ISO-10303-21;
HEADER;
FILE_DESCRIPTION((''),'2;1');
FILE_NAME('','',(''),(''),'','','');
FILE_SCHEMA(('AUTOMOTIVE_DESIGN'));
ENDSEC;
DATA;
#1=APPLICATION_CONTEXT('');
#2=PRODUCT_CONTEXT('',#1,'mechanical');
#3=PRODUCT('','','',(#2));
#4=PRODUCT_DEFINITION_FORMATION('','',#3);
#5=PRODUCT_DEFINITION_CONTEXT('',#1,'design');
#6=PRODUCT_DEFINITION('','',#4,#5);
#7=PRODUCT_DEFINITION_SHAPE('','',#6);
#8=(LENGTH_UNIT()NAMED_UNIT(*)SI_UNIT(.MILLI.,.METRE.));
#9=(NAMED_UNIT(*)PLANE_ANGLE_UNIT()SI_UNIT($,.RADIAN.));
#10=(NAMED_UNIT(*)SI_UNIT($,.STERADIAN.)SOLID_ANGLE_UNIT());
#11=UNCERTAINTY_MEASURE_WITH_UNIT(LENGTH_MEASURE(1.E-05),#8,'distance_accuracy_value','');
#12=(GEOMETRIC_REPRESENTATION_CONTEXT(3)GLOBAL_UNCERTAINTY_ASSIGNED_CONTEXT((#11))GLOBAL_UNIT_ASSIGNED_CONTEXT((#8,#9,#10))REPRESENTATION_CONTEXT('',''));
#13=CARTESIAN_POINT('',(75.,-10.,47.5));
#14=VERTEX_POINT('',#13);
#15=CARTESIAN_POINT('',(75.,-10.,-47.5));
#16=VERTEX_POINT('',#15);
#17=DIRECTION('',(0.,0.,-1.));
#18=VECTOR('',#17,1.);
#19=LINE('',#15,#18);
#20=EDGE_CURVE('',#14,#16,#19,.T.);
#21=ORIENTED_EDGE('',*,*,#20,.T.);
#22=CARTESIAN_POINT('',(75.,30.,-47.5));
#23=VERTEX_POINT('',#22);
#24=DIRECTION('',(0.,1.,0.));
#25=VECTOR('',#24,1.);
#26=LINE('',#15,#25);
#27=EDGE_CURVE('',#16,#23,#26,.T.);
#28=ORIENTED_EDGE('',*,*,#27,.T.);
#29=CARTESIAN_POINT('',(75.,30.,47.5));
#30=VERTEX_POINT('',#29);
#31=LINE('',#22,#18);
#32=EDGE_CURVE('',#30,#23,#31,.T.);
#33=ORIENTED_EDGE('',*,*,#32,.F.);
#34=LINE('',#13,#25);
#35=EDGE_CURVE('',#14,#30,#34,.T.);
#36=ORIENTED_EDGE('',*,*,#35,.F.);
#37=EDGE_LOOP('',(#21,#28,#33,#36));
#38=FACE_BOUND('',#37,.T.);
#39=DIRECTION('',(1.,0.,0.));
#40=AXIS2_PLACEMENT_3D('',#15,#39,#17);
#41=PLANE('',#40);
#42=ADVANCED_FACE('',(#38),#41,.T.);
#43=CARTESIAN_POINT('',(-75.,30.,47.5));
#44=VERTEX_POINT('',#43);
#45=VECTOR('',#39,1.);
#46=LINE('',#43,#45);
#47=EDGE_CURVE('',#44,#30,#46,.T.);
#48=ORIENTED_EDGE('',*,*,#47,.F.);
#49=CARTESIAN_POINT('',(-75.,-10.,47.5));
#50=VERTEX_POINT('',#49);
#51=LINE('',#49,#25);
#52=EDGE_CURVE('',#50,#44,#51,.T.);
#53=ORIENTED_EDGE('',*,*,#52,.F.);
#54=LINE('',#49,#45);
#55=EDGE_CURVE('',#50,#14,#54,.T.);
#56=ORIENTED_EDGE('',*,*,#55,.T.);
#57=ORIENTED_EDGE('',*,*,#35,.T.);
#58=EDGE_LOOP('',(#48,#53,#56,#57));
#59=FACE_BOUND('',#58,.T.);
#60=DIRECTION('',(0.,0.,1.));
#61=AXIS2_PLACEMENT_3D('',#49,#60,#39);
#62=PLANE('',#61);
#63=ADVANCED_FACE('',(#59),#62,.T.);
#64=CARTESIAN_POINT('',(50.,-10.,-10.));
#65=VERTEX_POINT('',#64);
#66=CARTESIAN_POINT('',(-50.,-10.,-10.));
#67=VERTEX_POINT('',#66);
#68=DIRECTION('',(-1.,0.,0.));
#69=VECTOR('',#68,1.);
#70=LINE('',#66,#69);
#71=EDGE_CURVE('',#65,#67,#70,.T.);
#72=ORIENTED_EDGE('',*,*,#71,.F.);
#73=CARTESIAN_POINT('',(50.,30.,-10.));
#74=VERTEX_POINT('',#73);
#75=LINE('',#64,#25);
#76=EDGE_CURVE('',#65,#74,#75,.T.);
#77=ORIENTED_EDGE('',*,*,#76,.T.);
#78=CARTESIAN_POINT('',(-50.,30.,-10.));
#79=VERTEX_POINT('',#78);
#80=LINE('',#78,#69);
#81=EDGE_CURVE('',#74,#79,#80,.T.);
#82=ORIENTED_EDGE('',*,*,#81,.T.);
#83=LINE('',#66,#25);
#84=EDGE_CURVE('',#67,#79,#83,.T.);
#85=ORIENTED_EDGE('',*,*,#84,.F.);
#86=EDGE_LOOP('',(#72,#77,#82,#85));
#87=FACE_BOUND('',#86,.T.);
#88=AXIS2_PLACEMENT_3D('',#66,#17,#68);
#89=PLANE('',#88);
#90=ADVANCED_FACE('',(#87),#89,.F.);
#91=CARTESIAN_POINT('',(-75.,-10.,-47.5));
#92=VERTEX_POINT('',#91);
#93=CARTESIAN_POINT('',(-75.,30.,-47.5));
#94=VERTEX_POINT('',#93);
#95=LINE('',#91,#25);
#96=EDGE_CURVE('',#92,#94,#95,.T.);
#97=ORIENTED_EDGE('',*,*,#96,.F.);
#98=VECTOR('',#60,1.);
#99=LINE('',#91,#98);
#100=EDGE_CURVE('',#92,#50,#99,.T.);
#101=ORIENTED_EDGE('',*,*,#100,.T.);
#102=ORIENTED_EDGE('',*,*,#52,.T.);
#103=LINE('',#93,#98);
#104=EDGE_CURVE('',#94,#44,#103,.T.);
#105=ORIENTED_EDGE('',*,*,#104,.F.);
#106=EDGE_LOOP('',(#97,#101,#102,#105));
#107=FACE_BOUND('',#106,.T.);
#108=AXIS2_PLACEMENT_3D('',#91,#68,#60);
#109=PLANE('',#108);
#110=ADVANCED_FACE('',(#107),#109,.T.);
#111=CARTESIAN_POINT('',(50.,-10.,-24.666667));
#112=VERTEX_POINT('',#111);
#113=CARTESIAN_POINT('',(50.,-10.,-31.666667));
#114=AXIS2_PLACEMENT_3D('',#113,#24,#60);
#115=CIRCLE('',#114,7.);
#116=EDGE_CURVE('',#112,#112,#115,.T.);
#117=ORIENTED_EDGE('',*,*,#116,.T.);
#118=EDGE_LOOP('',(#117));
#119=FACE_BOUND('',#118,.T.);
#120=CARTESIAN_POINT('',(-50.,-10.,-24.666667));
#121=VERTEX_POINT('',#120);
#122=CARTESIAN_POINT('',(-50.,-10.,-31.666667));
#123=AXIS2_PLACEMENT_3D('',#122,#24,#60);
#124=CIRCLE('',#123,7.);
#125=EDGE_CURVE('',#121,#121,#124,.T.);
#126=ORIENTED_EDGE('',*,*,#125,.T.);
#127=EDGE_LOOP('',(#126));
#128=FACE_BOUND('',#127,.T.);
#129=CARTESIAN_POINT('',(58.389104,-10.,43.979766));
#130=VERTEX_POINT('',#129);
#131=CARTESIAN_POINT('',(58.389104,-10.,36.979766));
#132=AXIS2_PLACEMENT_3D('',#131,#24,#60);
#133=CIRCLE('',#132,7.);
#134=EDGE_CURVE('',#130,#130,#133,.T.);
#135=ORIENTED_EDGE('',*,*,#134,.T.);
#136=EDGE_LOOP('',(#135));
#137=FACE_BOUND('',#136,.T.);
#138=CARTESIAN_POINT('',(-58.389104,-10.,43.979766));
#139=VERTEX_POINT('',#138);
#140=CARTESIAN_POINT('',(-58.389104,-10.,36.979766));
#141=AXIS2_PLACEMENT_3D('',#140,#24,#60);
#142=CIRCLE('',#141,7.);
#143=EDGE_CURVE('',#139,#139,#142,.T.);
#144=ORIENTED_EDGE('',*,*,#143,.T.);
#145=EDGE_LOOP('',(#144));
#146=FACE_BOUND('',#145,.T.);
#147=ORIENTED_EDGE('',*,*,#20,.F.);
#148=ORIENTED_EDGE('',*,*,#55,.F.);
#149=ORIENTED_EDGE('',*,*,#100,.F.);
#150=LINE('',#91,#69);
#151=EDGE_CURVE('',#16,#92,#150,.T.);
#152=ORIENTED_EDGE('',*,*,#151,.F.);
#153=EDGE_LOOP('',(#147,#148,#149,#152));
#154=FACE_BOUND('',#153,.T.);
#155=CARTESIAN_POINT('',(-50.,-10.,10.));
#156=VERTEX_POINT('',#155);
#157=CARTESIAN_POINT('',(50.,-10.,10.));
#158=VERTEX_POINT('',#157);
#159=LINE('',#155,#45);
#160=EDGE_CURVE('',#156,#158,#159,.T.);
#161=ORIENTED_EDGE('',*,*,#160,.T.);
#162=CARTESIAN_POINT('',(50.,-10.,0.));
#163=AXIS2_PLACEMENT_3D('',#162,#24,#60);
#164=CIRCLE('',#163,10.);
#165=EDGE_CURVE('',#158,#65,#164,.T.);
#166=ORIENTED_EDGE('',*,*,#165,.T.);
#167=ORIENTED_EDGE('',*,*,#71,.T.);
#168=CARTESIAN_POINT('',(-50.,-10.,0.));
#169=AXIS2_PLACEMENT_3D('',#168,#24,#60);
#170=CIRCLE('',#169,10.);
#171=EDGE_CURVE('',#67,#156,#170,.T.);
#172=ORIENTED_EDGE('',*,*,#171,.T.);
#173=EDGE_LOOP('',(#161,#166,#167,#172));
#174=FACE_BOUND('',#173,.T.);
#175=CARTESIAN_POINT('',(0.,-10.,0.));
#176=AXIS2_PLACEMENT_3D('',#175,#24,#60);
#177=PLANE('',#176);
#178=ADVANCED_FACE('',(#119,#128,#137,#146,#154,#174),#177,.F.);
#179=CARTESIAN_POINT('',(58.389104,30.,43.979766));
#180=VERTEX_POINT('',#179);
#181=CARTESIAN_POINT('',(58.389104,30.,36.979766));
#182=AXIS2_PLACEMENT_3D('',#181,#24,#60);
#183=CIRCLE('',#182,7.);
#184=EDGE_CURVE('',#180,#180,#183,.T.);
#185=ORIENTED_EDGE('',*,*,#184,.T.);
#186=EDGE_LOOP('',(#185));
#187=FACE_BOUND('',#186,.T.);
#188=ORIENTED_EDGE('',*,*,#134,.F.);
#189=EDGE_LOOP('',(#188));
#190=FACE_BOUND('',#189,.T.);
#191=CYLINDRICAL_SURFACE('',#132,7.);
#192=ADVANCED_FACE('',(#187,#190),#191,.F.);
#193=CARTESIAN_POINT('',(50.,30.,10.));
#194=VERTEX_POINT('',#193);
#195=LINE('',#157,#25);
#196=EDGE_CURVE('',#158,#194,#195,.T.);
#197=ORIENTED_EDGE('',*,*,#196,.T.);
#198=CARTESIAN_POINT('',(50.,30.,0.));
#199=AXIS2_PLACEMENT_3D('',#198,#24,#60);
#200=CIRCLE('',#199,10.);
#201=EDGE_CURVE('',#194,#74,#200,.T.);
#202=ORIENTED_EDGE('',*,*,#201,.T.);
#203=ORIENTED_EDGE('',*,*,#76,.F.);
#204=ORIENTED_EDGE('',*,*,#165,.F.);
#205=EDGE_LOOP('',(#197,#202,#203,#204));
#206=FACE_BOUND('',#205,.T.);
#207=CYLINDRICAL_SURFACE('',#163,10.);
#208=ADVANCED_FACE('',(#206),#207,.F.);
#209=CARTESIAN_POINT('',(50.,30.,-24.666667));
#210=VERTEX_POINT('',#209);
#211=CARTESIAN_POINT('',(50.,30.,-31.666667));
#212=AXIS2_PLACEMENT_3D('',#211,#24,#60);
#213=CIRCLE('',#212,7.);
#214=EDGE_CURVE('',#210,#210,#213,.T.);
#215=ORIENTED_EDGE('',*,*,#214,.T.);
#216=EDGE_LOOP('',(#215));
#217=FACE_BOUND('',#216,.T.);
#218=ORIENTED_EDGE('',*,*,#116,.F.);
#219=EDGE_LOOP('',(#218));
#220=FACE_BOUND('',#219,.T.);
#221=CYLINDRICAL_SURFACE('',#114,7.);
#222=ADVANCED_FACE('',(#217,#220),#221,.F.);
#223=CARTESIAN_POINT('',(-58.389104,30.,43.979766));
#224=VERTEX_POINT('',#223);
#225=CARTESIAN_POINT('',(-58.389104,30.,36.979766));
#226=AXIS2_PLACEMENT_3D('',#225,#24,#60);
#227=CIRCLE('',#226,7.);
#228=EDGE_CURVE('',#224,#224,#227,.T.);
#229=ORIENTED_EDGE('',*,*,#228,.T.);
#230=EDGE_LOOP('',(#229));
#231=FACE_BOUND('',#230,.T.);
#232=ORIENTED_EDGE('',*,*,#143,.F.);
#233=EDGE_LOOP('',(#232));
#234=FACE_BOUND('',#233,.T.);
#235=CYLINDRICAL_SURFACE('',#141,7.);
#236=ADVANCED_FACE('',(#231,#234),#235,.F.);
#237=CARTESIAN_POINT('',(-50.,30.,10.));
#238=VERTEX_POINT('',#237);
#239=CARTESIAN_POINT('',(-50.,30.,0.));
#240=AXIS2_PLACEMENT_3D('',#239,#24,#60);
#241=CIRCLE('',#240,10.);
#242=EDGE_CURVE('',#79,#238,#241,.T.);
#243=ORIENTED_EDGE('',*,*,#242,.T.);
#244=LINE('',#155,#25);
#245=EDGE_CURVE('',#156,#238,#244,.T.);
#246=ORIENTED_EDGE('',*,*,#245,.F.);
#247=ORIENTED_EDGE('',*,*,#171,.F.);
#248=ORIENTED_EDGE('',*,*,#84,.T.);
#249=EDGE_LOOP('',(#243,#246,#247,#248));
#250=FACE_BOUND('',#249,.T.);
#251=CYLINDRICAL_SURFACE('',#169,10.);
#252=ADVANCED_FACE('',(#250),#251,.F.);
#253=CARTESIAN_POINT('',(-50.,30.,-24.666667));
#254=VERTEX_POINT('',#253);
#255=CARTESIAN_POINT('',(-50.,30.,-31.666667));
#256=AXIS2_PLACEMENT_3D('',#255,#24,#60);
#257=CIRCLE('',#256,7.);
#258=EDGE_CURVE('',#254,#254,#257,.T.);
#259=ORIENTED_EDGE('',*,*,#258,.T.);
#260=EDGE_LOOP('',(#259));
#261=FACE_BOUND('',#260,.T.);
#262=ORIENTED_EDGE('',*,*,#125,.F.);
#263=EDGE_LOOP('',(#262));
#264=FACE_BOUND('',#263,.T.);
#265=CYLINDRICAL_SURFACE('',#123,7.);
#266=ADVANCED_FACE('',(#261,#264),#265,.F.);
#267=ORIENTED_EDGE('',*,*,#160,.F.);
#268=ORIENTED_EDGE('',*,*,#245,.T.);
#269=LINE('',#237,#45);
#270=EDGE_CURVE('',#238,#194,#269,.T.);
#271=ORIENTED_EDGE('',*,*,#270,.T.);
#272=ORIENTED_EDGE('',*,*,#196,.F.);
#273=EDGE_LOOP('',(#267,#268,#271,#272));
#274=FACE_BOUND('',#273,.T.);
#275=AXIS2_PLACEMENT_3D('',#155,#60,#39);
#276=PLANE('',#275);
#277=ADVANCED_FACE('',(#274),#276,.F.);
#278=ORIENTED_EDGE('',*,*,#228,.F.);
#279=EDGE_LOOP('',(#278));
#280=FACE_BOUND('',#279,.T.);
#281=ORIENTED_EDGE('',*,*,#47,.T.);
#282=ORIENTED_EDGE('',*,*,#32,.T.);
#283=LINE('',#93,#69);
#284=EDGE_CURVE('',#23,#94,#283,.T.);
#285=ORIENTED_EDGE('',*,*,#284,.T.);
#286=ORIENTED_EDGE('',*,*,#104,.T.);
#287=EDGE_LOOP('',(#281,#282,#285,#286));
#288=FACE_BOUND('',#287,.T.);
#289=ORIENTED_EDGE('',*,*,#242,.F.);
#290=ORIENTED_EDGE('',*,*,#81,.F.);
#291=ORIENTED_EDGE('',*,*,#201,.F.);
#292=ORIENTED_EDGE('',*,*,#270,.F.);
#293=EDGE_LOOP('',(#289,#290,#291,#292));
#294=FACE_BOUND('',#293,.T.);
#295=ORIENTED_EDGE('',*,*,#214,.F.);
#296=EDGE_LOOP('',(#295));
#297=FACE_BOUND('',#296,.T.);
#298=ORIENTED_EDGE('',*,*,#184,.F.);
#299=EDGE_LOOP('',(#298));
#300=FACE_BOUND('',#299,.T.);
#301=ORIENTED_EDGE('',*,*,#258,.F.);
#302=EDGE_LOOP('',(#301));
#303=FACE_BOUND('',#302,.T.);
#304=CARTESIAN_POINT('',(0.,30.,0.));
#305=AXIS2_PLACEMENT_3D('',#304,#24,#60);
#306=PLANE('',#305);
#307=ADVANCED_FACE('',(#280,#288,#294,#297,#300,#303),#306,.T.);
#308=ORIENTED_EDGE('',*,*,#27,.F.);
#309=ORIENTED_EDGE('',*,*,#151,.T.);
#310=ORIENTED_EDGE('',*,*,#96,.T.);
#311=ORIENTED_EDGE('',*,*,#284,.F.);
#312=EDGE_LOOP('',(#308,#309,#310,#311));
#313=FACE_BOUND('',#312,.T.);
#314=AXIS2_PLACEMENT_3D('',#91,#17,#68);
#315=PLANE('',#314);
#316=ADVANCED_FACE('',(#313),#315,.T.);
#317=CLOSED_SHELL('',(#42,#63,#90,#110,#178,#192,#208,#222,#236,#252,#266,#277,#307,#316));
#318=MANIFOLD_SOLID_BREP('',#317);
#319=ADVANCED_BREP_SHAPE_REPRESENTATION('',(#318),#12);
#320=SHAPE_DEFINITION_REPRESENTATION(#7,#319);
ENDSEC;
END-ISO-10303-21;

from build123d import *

# Parameters (mm, degrees)
BOSS_EXTRUDE1_DEPTH      = 30
BOSS_EXTRUDE1_DEPTH_BACK = 10
SKETCH1_W                = 150
SKETCH1_H                = 95
SKETCH1_R                = 7


with BuildPart() as part:
    # Sketch1 → Boss-Extrude1 (new, two sides: drawn at the far end of the back side and taken through both)
    with BuildSketch(Plane(origin=(0, 0, 0), x_dir=(1, 0, 0), z_dir=(0, 1, 0)).offset(-BOSS_EXTRUDE1_DEPTH_BACK)):
        Rectangle(SKETCH1_W, SKETCH1_H)
        with Locations(Location((-50, 31.666666667, 0), (0, 0, 270))):
            Circle(SKETCH1_R, mode=Mode.SUBTRACT)
        with Locations(Location((50, 31.666666667, 0), (0, 0, 270))):
            Circle(SKETCH1_R, mode=Mode.SUBTRACT)
        with Locations(Location((-58.389104437, -36.979766144, 0), (0, 0, 270))):
            Circle(SKETCH1_R, mode=Mode.SUBTRACT)
        with Locations(Location((58.389104437, -36.979766144, 0), (0, 0, 270))):
            Circle(SKETCH1_R, mode=Mode.SUBTRACT)
        with BuildLine():
            Line((-50, 10), (50, 10))
            ThreePointArc((50, 10), (60, 0), (50, -10))
            Line((50, -10), (-50, -10))
            ThreePointArc((-50, -10), (-60, 0), (-50, 10))
        make_face(mode=Mode.SUBTRACT)
    extrude(amount=BOSS_EXTRUDE1_DEPTH + BOSS_EXTRUDE1_DEPTH_BACK)


solid = part.part
